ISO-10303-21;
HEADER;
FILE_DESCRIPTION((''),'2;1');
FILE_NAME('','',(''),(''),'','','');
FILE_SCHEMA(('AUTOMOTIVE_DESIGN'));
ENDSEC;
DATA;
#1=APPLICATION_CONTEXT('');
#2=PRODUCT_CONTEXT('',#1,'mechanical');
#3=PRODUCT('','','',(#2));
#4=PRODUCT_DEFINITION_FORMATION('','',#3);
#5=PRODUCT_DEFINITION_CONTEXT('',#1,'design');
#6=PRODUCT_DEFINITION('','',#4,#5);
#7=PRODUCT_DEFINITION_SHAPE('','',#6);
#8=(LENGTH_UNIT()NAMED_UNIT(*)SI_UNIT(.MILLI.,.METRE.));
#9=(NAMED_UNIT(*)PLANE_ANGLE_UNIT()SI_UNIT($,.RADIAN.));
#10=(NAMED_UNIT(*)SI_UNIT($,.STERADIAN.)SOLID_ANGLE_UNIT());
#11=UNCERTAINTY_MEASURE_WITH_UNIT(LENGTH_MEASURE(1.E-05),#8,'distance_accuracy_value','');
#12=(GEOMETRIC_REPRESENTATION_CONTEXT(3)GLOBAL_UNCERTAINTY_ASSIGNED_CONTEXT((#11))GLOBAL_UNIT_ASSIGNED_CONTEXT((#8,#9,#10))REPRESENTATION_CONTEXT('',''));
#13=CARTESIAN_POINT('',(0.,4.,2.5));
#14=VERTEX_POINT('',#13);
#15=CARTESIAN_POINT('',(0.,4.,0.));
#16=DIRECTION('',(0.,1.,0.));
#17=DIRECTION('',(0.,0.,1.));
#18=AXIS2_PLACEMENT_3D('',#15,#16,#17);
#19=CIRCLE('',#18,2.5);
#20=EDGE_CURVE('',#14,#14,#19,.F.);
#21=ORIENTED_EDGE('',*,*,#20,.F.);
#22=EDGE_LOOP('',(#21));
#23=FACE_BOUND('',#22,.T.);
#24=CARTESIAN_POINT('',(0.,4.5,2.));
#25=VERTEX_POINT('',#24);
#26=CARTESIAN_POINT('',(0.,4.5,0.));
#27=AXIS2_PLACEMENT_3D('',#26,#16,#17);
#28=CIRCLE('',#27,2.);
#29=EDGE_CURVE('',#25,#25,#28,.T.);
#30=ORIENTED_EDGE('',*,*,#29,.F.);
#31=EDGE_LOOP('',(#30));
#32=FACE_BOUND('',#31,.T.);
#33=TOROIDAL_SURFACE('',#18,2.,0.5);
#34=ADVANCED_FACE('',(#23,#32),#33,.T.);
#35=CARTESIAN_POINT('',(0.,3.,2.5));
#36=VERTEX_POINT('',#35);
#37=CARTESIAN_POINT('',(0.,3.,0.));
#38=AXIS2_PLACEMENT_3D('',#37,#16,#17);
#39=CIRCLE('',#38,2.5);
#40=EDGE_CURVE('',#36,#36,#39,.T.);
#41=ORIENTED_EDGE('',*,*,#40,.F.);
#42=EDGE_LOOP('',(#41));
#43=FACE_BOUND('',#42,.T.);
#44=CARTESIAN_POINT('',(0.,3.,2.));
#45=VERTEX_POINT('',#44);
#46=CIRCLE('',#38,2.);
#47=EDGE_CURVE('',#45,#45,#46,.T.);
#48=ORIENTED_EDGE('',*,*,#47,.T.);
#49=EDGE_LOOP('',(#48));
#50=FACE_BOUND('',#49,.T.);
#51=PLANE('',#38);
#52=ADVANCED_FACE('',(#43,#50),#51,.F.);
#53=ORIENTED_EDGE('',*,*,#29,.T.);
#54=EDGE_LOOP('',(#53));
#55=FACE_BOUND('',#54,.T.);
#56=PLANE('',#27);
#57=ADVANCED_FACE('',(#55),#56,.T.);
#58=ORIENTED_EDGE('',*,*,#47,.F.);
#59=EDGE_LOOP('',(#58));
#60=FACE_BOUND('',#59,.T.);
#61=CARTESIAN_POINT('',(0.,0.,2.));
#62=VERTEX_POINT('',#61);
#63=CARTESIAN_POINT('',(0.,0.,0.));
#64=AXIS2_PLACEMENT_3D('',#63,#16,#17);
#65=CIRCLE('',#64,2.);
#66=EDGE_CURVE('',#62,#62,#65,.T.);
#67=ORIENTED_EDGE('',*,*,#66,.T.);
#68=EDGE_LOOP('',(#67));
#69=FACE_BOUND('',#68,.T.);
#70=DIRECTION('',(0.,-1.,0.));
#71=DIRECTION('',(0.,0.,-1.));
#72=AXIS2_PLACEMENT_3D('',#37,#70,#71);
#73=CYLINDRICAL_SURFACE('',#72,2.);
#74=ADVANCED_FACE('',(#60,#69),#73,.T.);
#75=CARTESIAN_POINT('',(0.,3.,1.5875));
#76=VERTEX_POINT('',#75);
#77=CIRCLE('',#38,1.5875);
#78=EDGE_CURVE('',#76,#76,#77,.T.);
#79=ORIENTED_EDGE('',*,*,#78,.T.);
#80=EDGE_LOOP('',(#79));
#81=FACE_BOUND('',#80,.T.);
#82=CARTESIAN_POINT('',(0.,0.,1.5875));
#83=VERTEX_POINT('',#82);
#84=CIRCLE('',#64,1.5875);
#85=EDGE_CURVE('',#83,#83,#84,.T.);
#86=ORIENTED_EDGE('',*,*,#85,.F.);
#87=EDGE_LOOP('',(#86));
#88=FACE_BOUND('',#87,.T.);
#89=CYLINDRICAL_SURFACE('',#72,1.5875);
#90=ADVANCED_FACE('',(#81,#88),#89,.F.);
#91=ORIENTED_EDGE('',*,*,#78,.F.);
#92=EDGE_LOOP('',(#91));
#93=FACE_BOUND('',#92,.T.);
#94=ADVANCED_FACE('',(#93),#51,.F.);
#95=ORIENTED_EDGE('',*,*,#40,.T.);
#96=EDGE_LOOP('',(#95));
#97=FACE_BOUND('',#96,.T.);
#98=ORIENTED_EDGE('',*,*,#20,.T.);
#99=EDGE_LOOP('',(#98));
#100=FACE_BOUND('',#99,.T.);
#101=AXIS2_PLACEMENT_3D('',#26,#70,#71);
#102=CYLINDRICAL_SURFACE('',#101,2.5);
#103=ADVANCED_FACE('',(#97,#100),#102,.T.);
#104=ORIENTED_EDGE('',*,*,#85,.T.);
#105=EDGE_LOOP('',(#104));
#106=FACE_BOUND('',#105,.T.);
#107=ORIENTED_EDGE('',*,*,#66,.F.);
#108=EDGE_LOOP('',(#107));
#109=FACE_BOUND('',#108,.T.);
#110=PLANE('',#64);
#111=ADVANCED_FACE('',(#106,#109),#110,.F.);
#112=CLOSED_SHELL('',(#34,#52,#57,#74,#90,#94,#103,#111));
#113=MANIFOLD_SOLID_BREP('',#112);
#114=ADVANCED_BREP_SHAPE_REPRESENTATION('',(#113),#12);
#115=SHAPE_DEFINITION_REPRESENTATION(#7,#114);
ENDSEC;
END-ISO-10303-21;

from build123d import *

# Parameters (mm, degrees)
SKETCH1_R           = 2
SKETCH1_R_2         = 1.5875
BOSS_EXTRUDE1_DEPTH = 3
SKETCH2_R           = 2.5
BOSS_EXTRUDE2_DEPTH = 1.5
FILLET1_R           = 0.5


with BuildPart() as part:
    # Sketch1 → Boss-Extrude1 (new body)
    with BuildSketch(Plane(origin=(0, 0, 0), x_dir=(1, 0, 0), z_dir=(0, 1, 0))):
        with Locations(Location((0, 0, 0), (0, 0, 270))):
            Circle(SKETCH1_R)
        with Locations(Location((0, 0, 0), (0, 0, 270))):
            Circle(SKETCH1_R_2, mode=Mode.SUBTRACT)
    extrude(amount=BOSS_EXTRUDE1_DEPTH)

    # Sketch2 → Boss-Extrude2 (add)
    with BuildSketch(Plane(origin=(0, 3, 0), x_dir=(1, 0, 0), z_dir=(0, 1, 0))):
        with Locations(Location((0, 0, 0), (0, 0, 270))):
            Circle(SKETCH2_R)
    extrude(amount=BOSS_EXTRUDE2_DEPTH)

    # Fillet1
    fillet1_edges = [part.edges().sort_by_distance(p)[0] for p in [
        (0, 4.5, -2.5),
    ]]
    fillet(fillet1_edges, radius=FILLET1_R)


solid = part.part
